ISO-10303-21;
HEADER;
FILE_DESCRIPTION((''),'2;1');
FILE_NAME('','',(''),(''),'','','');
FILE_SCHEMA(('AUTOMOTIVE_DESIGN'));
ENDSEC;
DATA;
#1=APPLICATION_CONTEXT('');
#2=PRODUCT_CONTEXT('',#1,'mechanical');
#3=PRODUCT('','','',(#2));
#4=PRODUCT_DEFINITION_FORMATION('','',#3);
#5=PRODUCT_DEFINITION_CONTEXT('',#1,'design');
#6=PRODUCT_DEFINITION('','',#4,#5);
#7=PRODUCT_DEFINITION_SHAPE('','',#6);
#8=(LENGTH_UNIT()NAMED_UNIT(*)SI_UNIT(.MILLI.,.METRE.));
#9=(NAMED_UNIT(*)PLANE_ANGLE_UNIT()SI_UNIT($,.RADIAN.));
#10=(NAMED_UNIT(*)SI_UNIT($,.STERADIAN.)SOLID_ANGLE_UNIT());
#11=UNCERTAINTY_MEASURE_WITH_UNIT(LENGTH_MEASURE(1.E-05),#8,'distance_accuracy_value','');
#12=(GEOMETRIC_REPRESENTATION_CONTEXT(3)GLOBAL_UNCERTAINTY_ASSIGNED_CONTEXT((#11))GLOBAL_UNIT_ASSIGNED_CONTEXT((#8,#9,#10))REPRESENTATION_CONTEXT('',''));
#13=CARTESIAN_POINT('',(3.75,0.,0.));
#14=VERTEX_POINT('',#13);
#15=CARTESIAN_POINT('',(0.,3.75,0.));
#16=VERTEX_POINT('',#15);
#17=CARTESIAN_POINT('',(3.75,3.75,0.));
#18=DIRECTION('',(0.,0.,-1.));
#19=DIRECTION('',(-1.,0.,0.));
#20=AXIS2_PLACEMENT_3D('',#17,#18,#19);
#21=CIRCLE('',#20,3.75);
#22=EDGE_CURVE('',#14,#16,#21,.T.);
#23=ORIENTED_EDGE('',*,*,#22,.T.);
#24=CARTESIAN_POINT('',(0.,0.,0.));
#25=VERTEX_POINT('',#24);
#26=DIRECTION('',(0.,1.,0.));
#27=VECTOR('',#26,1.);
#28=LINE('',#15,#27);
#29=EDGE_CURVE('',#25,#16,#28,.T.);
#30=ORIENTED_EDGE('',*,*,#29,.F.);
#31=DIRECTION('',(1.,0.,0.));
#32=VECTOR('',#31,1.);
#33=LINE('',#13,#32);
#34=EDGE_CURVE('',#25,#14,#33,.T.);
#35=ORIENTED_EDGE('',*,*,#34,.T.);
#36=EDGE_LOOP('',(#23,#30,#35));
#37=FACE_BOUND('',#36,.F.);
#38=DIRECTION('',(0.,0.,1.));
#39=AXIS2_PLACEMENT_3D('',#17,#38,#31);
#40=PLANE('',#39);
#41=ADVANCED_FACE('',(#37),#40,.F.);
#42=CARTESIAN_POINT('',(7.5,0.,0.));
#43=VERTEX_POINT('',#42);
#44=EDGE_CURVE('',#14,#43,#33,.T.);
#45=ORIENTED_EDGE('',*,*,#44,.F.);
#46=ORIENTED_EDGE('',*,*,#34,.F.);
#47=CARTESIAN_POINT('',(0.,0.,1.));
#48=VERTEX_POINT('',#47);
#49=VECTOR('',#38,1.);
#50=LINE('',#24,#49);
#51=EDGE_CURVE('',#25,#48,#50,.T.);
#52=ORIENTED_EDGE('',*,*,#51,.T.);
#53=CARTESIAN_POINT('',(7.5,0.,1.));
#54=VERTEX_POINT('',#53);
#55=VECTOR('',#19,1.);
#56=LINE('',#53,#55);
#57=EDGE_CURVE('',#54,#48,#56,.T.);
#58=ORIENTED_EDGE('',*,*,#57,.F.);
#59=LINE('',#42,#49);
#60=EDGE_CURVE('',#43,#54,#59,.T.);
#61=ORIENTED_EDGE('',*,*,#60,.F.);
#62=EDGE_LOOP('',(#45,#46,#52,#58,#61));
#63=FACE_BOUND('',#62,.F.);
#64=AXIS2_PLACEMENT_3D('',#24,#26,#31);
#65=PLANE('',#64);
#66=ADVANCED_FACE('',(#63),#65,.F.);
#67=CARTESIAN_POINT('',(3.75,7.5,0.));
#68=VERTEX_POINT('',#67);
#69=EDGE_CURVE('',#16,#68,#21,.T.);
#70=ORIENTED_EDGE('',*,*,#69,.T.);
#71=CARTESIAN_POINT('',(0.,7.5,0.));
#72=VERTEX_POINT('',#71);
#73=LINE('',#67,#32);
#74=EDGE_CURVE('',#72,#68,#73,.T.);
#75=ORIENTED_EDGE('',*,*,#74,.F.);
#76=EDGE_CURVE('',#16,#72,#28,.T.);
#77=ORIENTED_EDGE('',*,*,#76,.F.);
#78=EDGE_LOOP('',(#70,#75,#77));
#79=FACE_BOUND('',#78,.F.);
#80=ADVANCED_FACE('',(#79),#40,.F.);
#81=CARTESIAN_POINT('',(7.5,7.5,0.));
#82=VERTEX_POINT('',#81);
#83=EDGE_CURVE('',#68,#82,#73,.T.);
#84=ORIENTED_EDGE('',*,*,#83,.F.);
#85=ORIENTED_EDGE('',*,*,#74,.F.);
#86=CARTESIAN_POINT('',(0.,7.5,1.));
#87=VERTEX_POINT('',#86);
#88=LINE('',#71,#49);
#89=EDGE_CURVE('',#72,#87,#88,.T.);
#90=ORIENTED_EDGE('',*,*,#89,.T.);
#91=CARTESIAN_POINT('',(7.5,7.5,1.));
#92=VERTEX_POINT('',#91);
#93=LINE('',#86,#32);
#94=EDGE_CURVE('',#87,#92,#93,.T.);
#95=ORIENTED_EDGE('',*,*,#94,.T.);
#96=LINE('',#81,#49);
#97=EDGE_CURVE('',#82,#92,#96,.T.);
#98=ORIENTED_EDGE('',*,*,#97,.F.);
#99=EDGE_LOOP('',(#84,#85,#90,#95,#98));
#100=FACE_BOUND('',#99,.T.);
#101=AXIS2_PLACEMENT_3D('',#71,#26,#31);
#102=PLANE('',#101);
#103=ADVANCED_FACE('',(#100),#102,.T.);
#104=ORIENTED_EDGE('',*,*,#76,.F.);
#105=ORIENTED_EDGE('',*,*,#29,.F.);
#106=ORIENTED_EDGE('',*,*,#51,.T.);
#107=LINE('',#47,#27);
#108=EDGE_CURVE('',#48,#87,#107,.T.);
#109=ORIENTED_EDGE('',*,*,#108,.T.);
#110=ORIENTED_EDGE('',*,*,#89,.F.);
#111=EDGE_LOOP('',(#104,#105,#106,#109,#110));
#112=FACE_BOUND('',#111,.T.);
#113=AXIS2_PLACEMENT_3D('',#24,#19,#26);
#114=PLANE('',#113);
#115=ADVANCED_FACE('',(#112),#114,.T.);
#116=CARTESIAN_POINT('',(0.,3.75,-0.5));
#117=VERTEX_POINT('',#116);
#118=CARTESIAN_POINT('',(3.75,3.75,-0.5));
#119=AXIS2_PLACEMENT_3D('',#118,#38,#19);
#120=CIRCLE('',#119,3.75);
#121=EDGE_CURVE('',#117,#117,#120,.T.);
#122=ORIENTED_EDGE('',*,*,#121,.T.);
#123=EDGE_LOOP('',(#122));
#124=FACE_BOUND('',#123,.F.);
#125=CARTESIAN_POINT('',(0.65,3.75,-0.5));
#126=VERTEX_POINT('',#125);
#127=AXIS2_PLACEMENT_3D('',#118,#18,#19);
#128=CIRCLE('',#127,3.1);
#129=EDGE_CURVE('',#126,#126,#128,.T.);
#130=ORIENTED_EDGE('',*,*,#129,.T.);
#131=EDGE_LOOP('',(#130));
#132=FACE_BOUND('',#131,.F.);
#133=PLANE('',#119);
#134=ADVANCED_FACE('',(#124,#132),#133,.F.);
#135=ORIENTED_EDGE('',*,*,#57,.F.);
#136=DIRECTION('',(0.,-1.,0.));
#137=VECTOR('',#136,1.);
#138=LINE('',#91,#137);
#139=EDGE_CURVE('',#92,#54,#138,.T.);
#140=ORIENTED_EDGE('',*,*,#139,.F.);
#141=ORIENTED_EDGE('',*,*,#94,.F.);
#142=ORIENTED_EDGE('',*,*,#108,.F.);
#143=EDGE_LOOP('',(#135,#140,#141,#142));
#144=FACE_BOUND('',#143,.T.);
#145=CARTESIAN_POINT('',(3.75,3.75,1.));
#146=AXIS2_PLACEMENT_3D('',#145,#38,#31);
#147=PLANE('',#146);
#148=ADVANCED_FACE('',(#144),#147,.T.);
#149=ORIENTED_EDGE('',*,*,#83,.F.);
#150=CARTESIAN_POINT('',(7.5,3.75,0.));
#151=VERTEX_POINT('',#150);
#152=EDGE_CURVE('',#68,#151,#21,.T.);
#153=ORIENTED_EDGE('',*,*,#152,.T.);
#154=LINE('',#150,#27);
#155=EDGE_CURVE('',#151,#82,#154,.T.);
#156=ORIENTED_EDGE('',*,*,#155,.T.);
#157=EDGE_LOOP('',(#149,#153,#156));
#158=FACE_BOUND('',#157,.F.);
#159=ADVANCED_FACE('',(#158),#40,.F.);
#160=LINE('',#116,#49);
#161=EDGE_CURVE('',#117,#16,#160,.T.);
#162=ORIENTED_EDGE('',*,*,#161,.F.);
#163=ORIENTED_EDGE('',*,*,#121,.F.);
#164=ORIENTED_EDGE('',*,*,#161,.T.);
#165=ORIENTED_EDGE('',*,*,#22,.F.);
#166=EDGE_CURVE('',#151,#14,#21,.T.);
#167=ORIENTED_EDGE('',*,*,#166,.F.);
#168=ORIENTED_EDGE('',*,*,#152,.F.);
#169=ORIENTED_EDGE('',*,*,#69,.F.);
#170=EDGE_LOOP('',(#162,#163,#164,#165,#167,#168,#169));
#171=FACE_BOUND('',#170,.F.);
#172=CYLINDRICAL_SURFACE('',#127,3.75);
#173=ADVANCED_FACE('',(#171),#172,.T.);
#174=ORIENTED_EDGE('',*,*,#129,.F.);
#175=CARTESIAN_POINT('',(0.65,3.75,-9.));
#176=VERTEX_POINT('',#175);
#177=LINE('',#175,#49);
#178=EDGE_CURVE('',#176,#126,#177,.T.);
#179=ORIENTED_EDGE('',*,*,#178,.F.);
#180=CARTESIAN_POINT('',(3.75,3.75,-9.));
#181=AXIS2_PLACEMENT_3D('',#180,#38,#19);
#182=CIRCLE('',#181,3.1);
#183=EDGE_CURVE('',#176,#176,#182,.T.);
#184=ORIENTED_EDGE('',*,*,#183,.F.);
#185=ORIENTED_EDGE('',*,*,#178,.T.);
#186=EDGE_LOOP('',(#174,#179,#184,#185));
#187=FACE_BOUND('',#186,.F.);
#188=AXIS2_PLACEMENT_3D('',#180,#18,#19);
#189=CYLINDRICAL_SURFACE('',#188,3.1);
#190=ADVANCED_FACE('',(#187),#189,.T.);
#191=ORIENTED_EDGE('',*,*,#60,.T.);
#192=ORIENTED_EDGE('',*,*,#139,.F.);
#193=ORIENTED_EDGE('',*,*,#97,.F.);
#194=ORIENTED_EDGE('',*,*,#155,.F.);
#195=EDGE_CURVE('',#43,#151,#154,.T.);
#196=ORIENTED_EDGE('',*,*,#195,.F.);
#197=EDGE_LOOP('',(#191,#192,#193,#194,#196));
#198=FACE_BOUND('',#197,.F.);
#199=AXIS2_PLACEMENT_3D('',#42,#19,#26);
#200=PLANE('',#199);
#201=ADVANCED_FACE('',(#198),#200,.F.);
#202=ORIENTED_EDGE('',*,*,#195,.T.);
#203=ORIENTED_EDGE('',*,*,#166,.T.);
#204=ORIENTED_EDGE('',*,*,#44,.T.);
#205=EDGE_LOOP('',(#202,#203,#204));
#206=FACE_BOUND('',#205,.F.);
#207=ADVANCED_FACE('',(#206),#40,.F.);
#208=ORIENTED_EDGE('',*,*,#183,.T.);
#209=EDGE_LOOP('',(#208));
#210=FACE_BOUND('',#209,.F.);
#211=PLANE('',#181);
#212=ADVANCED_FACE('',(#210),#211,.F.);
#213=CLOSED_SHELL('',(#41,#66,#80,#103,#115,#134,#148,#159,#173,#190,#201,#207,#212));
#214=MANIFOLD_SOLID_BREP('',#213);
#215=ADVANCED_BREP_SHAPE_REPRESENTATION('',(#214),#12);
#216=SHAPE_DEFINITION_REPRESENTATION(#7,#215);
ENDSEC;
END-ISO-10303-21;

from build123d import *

# Parameters (mm, degrees)
CIRCLE_R         = 3.75
EXTRUDE001_DEPTH = 1.5
CIRCLE001_R      = 3.1
EXTRUDE_DEPTH    = 10
BOX_W            = 7.5
BOX_H            = 7.5
BOX_DEPTH        = 1


with BuildPart() as extrude001:
    # Circle → Extrude001 (new body)
    with BuildSketch(Plane(origin=(3.75, 3.75, 1), x_dir=(-1, 0, 0), z_dir=(0, 0, 1))):
        Circle(CIRCLE_R)
    extrude(amount=EXTRUDE001_DEPTH)


with BuildPart() as extrude001_1:
    # Extrude001 placement: moved
    add(extrude001.part.moved(Location((0, 0, -1.5))))


with BuildPart() as fusion:
    # Circle001 → Extrude (new body)
    with BuildSketch(Plane(origin=(3.75, 3.75, 1), x_dir=(-1, 0, 0), z_dir=(0, 0, 1))):
        Circle(CIRCLE001_R)
    extrude(amount=EXTRUDE_DEPTH)


with BuildPart() as fusion_1:
    # Extrude placement: moved
    add(fusion.part.moved(Location((0, 0, -10))))

    # Fusion: union Extrude001
    add(extrude001_1.part)


with BuildPart() as perforador_led_5_mm:
    # Box → Box (new body)
    with BuildSketch(Plane.XY):
        with Locations((3.75, 3.75)):
            Rectangle(BOX_W, BOX_H)
    extrude(amount=BOX_DEPTH)

    # Fusion001: union Fusion
    add(fusion_1.part)


solid = perforador_led_5_mm.part
